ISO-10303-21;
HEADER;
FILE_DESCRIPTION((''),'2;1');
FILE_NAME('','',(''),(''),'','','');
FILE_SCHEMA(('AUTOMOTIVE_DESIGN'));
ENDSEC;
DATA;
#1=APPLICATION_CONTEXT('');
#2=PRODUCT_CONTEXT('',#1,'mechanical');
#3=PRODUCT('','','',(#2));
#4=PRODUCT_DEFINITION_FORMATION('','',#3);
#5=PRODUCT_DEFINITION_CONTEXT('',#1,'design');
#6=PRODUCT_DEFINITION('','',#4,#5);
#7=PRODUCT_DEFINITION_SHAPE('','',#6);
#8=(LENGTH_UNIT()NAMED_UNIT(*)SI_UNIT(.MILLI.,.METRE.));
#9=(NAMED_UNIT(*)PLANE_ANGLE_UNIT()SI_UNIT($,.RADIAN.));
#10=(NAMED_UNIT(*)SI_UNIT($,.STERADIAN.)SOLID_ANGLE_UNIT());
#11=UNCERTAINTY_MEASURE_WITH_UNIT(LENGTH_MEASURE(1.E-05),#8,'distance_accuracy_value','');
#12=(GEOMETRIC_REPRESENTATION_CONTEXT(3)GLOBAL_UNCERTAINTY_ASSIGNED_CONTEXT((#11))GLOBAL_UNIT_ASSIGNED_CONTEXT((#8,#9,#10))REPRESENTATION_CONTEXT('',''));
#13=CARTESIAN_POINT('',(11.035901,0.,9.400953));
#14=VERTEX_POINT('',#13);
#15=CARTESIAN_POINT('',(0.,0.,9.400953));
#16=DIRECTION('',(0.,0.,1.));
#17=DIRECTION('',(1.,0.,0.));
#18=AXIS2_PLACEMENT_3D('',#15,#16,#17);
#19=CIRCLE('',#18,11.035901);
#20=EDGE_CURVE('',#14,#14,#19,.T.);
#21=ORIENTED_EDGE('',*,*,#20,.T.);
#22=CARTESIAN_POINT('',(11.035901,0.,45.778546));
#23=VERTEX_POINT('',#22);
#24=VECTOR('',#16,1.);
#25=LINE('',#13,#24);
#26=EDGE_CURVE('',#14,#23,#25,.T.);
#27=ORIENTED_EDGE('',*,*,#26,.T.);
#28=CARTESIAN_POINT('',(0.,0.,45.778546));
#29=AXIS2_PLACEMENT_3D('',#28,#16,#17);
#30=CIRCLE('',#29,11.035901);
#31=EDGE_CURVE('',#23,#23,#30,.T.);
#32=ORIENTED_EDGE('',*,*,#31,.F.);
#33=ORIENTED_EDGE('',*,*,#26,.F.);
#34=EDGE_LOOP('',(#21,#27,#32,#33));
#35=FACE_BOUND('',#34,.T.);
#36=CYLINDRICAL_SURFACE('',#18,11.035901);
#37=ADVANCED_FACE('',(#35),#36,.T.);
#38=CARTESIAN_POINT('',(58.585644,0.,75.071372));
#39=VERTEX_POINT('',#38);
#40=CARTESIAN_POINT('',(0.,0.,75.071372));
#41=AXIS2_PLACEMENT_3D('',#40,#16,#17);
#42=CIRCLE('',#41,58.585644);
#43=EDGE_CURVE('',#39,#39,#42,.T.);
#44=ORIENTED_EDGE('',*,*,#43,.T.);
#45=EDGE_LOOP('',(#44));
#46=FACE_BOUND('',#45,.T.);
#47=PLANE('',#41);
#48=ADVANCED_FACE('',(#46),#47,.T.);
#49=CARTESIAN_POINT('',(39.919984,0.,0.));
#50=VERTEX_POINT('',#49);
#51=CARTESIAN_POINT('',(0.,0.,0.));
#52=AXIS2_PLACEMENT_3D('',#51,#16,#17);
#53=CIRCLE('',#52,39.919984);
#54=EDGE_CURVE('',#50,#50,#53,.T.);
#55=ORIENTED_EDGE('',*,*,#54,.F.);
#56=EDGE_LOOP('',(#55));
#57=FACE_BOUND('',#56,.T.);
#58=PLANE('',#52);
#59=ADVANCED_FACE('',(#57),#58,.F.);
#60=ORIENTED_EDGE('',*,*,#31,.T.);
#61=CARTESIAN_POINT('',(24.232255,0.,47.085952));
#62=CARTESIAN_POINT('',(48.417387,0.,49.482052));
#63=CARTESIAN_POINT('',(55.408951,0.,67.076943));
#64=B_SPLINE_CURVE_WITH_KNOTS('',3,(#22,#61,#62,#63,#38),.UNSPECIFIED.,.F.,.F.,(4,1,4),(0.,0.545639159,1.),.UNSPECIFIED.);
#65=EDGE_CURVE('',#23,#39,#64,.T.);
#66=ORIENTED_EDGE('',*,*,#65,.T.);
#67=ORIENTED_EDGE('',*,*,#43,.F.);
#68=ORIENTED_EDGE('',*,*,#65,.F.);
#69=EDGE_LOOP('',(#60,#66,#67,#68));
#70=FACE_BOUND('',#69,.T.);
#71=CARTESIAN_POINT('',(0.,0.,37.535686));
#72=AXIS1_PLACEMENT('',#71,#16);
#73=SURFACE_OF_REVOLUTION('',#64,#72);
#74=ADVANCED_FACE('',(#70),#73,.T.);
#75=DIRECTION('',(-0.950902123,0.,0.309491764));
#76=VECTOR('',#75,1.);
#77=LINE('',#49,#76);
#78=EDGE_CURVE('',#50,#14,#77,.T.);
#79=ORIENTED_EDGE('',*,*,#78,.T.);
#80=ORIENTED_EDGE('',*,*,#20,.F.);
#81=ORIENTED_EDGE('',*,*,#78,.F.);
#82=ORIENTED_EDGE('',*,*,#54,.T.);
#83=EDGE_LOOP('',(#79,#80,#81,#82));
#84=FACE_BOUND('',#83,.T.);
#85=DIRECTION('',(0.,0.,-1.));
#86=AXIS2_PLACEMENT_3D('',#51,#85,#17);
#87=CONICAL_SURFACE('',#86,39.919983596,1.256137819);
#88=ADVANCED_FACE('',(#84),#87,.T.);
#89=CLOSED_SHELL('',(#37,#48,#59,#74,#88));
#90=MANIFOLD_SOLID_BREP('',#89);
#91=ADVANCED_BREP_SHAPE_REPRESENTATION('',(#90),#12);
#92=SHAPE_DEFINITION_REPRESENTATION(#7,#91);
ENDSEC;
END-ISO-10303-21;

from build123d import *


with BuildPart() as f1:
    # F0 (on Front) → F1 (revolve)
    with BuildSketch(Plane.XZ):
        with BuildLine():
            Line((0, 75.0713720918), (0, 0))
            Line((0, 0), (39.9199835956, 0))
            Line((39.9199835956, 0), (11.035900563, 9.4009526074))
            Line((11.035900563, 9.4009526074), (11.035900563, 45.7785464823))
            add(Edge.make_bspline(
                [(11.035900563, 45.7785464823), (24.2322553796, 47.085952444), (48.4173868956, 49.4820523949), (55.4089508767, 67.0769428599), (58.5856437683, 75.0713720918)],
                knots=[0, 0, 0, 0, 0.5456391588, 1, 1, 1, 1], degree=3))
            Line((58.5856437683, 75.0713720918), (0, 75.0713720918))
        make_face()
    revolve(axis=Axis((0, 0, 37.5356860459), (0, 0, 1)))


solid = f1.part
